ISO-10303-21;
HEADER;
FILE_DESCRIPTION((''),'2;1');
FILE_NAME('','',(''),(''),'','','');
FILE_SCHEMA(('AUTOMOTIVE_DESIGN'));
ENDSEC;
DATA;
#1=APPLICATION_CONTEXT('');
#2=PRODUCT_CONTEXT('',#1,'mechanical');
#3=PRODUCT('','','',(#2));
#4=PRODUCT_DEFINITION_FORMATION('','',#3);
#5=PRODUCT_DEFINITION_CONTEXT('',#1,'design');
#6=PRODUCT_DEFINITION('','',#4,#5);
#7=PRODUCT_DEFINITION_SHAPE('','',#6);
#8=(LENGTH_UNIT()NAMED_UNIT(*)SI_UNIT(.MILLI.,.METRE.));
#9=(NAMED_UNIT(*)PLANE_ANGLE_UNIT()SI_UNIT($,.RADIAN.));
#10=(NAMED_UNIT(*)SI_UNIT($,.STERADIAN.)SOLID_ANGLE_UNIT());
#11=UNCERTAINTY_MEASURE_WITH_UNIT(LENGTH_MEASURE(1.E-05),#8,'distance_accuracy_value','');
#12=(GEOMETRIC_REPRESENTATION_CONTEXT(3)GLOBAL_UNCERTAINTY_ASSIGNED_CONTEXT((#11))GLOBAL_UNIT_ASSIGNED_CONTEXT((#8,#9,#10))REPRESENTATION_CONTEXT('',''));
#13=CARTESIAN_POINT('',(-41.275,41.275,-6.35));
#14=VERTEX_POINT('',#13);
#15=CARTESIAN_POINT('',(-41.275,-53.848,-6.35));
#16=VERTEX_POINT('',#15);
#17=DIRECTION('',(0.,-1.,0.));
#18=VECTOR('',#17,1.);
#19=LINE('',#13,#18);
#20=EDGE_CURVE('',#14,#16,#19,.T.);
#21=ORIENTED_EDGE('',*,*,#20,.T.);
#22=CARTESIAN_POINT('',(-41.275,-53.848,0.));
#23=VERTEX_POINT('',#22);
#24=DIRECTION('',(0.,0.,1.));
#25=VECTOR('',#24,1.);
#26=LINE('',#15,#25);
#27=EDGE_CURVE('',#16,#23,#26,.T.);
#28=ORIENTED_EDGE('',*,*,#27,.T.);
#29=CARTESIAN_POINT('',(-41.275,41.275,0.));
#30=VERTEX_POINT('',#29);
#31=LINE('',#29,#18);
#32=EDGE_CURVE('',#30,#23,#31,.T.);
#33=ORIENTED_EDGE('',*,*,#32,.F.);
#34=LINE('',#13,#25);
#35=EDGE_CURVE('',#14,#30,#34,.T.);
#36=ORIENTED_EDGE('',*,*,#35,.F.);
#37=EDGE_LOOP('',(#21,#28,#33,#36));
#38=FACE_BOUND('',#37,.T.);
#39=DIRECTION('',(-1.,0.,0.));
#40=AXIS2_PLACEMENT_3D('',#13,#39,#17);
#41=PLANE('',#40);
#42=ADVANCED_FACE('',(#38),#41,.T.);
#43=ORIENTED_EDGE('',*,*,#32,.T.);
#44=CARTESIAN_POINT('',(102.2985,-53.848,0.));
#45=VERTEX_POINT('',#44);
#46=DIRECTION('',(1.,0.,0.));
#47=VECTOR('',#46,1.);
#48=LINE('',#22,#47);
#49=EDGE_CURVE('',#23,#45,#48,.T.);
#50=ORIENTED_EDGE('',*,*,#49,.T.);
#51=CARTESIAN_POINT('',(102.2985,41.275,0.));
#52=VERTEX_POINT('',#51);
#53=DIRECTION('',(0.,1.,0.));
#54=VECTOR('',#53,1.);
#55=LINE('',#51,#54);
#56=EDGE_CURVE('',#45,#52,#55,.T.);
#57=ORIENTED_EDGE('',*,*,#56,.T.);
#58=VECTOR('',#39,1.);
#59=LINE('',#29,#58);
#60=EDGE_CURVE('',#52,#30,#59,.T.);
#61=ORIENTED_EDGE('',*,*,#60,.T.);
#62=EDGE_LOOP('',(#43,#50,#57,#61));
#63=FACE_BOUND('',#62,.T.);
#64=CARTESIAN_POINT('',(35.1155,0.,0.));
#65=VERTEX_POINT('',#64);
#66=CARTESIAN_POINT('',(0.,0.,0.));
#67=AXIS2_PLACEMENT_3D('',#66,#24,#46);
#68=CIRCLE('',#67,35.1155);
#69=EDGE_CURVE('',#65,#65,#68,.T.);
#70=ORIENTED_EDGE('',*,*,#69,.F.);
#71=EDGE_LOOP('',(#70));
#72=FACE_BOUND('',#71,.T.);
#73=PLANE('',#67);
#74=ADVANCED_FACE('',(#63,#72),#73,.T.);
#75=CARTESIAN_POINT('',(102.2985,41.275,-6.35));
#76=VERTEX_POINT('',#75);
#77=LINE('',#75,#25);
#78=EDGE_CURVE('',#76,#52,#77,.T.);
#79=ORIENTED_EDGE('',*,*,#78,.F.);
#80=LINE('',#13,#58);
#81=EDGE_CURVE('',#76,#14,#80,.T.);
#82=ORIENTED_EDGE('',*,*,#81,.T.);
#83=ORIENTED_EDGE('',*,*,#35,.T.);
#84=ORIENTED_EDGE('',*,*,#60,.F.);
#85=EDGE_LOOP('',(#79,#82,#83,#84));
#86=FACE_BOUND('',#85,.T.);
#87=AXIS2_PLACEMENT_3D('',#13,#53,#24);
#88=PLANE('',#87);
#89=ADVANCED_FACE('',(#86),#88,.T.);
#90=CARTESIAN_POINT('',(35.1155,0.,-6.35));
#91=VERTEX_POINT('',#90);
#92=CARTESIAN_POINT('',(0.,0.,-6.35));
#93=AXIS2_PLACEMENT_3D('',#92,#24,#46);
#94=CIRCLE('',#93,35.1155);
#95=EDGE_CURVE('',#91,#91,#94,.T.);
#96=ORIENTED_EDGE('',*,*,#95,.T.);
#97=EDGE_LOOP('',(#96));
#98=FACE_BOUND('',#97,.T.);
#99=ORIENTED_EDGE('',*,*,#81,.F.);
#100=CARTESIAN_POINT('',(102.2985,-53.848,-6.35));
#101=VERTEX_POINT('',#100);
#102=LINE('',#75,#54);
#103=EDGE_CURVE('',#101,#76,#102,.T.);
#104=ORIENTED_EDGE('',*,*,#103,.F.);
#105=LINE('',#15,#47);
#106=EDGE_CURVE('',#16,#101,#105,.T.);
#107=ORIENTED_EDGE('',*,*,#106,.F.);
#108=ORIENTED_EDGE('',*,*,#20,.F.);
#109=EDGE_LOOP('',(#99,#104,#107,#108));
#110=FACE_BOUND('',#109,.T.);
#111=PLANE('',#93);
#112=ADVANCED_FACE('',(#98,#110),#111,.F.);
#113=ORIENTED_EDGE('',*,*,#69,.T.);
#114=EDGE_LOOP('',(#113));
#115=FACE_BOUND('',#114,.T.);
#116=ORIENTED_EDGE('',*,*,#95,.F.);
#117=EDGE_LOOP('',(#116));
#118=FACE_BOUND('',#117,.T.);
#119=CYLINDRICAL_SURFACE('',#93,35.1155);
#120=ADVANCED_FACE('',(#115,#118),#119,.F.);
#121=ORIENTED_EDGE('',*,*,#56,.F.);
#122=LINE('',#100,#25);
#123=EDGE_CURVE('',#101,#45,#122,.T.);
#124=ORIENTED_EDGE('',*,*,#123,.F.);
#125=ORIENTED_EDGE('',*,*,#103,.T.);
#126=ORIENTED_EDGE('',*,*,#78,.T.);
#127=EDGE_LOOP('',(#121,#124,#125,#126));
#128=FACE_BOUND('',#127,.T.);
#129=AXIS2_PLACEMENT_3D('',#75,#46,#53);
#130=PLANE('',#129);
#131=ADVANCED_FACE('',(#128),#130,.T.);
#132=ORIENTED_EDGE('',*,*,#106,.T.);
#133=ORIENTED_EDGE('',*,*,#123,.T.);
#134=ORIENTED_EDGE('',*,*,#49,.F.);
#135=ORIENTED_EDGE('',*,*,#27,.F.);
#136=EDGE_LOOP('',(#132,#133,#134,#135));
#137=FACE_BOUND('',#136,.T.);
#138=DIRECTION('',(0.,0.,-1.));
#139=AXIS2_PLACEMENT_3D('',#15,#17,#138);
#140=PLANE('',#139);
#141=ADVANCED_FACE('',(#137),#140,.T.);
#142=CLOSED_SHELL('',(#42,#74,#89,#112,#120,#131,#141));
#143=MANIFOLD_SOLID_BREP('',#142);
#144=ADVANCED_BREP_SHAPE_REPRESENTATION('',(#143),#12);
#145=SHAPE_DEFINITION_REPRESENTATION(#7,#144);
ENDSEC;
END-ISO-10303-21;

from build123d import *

# Parameters (mm, degrees)
SKETCH1_W           = 143.5735
SKETCH1_H           = 95.123
SKETCH1_R           = 35.1155
BOSS_EXTRUDE1_DEPTH = 6.35


with BuildPart() as part:
    # Sketch1 → Boss-Extrude1 (new body)
    with BuildSketch(Plane.XY):
        with Locations((30.51175, -6.2865)):
            Rectangle(SKETCH1_W, SKETCH1_H)
        Circle(SKETCH1_R, mode=Mode.SUBTRACT)
    extrude(amount=-BOSS_EXTRUDE1_DEPTH)


solid = part.part
